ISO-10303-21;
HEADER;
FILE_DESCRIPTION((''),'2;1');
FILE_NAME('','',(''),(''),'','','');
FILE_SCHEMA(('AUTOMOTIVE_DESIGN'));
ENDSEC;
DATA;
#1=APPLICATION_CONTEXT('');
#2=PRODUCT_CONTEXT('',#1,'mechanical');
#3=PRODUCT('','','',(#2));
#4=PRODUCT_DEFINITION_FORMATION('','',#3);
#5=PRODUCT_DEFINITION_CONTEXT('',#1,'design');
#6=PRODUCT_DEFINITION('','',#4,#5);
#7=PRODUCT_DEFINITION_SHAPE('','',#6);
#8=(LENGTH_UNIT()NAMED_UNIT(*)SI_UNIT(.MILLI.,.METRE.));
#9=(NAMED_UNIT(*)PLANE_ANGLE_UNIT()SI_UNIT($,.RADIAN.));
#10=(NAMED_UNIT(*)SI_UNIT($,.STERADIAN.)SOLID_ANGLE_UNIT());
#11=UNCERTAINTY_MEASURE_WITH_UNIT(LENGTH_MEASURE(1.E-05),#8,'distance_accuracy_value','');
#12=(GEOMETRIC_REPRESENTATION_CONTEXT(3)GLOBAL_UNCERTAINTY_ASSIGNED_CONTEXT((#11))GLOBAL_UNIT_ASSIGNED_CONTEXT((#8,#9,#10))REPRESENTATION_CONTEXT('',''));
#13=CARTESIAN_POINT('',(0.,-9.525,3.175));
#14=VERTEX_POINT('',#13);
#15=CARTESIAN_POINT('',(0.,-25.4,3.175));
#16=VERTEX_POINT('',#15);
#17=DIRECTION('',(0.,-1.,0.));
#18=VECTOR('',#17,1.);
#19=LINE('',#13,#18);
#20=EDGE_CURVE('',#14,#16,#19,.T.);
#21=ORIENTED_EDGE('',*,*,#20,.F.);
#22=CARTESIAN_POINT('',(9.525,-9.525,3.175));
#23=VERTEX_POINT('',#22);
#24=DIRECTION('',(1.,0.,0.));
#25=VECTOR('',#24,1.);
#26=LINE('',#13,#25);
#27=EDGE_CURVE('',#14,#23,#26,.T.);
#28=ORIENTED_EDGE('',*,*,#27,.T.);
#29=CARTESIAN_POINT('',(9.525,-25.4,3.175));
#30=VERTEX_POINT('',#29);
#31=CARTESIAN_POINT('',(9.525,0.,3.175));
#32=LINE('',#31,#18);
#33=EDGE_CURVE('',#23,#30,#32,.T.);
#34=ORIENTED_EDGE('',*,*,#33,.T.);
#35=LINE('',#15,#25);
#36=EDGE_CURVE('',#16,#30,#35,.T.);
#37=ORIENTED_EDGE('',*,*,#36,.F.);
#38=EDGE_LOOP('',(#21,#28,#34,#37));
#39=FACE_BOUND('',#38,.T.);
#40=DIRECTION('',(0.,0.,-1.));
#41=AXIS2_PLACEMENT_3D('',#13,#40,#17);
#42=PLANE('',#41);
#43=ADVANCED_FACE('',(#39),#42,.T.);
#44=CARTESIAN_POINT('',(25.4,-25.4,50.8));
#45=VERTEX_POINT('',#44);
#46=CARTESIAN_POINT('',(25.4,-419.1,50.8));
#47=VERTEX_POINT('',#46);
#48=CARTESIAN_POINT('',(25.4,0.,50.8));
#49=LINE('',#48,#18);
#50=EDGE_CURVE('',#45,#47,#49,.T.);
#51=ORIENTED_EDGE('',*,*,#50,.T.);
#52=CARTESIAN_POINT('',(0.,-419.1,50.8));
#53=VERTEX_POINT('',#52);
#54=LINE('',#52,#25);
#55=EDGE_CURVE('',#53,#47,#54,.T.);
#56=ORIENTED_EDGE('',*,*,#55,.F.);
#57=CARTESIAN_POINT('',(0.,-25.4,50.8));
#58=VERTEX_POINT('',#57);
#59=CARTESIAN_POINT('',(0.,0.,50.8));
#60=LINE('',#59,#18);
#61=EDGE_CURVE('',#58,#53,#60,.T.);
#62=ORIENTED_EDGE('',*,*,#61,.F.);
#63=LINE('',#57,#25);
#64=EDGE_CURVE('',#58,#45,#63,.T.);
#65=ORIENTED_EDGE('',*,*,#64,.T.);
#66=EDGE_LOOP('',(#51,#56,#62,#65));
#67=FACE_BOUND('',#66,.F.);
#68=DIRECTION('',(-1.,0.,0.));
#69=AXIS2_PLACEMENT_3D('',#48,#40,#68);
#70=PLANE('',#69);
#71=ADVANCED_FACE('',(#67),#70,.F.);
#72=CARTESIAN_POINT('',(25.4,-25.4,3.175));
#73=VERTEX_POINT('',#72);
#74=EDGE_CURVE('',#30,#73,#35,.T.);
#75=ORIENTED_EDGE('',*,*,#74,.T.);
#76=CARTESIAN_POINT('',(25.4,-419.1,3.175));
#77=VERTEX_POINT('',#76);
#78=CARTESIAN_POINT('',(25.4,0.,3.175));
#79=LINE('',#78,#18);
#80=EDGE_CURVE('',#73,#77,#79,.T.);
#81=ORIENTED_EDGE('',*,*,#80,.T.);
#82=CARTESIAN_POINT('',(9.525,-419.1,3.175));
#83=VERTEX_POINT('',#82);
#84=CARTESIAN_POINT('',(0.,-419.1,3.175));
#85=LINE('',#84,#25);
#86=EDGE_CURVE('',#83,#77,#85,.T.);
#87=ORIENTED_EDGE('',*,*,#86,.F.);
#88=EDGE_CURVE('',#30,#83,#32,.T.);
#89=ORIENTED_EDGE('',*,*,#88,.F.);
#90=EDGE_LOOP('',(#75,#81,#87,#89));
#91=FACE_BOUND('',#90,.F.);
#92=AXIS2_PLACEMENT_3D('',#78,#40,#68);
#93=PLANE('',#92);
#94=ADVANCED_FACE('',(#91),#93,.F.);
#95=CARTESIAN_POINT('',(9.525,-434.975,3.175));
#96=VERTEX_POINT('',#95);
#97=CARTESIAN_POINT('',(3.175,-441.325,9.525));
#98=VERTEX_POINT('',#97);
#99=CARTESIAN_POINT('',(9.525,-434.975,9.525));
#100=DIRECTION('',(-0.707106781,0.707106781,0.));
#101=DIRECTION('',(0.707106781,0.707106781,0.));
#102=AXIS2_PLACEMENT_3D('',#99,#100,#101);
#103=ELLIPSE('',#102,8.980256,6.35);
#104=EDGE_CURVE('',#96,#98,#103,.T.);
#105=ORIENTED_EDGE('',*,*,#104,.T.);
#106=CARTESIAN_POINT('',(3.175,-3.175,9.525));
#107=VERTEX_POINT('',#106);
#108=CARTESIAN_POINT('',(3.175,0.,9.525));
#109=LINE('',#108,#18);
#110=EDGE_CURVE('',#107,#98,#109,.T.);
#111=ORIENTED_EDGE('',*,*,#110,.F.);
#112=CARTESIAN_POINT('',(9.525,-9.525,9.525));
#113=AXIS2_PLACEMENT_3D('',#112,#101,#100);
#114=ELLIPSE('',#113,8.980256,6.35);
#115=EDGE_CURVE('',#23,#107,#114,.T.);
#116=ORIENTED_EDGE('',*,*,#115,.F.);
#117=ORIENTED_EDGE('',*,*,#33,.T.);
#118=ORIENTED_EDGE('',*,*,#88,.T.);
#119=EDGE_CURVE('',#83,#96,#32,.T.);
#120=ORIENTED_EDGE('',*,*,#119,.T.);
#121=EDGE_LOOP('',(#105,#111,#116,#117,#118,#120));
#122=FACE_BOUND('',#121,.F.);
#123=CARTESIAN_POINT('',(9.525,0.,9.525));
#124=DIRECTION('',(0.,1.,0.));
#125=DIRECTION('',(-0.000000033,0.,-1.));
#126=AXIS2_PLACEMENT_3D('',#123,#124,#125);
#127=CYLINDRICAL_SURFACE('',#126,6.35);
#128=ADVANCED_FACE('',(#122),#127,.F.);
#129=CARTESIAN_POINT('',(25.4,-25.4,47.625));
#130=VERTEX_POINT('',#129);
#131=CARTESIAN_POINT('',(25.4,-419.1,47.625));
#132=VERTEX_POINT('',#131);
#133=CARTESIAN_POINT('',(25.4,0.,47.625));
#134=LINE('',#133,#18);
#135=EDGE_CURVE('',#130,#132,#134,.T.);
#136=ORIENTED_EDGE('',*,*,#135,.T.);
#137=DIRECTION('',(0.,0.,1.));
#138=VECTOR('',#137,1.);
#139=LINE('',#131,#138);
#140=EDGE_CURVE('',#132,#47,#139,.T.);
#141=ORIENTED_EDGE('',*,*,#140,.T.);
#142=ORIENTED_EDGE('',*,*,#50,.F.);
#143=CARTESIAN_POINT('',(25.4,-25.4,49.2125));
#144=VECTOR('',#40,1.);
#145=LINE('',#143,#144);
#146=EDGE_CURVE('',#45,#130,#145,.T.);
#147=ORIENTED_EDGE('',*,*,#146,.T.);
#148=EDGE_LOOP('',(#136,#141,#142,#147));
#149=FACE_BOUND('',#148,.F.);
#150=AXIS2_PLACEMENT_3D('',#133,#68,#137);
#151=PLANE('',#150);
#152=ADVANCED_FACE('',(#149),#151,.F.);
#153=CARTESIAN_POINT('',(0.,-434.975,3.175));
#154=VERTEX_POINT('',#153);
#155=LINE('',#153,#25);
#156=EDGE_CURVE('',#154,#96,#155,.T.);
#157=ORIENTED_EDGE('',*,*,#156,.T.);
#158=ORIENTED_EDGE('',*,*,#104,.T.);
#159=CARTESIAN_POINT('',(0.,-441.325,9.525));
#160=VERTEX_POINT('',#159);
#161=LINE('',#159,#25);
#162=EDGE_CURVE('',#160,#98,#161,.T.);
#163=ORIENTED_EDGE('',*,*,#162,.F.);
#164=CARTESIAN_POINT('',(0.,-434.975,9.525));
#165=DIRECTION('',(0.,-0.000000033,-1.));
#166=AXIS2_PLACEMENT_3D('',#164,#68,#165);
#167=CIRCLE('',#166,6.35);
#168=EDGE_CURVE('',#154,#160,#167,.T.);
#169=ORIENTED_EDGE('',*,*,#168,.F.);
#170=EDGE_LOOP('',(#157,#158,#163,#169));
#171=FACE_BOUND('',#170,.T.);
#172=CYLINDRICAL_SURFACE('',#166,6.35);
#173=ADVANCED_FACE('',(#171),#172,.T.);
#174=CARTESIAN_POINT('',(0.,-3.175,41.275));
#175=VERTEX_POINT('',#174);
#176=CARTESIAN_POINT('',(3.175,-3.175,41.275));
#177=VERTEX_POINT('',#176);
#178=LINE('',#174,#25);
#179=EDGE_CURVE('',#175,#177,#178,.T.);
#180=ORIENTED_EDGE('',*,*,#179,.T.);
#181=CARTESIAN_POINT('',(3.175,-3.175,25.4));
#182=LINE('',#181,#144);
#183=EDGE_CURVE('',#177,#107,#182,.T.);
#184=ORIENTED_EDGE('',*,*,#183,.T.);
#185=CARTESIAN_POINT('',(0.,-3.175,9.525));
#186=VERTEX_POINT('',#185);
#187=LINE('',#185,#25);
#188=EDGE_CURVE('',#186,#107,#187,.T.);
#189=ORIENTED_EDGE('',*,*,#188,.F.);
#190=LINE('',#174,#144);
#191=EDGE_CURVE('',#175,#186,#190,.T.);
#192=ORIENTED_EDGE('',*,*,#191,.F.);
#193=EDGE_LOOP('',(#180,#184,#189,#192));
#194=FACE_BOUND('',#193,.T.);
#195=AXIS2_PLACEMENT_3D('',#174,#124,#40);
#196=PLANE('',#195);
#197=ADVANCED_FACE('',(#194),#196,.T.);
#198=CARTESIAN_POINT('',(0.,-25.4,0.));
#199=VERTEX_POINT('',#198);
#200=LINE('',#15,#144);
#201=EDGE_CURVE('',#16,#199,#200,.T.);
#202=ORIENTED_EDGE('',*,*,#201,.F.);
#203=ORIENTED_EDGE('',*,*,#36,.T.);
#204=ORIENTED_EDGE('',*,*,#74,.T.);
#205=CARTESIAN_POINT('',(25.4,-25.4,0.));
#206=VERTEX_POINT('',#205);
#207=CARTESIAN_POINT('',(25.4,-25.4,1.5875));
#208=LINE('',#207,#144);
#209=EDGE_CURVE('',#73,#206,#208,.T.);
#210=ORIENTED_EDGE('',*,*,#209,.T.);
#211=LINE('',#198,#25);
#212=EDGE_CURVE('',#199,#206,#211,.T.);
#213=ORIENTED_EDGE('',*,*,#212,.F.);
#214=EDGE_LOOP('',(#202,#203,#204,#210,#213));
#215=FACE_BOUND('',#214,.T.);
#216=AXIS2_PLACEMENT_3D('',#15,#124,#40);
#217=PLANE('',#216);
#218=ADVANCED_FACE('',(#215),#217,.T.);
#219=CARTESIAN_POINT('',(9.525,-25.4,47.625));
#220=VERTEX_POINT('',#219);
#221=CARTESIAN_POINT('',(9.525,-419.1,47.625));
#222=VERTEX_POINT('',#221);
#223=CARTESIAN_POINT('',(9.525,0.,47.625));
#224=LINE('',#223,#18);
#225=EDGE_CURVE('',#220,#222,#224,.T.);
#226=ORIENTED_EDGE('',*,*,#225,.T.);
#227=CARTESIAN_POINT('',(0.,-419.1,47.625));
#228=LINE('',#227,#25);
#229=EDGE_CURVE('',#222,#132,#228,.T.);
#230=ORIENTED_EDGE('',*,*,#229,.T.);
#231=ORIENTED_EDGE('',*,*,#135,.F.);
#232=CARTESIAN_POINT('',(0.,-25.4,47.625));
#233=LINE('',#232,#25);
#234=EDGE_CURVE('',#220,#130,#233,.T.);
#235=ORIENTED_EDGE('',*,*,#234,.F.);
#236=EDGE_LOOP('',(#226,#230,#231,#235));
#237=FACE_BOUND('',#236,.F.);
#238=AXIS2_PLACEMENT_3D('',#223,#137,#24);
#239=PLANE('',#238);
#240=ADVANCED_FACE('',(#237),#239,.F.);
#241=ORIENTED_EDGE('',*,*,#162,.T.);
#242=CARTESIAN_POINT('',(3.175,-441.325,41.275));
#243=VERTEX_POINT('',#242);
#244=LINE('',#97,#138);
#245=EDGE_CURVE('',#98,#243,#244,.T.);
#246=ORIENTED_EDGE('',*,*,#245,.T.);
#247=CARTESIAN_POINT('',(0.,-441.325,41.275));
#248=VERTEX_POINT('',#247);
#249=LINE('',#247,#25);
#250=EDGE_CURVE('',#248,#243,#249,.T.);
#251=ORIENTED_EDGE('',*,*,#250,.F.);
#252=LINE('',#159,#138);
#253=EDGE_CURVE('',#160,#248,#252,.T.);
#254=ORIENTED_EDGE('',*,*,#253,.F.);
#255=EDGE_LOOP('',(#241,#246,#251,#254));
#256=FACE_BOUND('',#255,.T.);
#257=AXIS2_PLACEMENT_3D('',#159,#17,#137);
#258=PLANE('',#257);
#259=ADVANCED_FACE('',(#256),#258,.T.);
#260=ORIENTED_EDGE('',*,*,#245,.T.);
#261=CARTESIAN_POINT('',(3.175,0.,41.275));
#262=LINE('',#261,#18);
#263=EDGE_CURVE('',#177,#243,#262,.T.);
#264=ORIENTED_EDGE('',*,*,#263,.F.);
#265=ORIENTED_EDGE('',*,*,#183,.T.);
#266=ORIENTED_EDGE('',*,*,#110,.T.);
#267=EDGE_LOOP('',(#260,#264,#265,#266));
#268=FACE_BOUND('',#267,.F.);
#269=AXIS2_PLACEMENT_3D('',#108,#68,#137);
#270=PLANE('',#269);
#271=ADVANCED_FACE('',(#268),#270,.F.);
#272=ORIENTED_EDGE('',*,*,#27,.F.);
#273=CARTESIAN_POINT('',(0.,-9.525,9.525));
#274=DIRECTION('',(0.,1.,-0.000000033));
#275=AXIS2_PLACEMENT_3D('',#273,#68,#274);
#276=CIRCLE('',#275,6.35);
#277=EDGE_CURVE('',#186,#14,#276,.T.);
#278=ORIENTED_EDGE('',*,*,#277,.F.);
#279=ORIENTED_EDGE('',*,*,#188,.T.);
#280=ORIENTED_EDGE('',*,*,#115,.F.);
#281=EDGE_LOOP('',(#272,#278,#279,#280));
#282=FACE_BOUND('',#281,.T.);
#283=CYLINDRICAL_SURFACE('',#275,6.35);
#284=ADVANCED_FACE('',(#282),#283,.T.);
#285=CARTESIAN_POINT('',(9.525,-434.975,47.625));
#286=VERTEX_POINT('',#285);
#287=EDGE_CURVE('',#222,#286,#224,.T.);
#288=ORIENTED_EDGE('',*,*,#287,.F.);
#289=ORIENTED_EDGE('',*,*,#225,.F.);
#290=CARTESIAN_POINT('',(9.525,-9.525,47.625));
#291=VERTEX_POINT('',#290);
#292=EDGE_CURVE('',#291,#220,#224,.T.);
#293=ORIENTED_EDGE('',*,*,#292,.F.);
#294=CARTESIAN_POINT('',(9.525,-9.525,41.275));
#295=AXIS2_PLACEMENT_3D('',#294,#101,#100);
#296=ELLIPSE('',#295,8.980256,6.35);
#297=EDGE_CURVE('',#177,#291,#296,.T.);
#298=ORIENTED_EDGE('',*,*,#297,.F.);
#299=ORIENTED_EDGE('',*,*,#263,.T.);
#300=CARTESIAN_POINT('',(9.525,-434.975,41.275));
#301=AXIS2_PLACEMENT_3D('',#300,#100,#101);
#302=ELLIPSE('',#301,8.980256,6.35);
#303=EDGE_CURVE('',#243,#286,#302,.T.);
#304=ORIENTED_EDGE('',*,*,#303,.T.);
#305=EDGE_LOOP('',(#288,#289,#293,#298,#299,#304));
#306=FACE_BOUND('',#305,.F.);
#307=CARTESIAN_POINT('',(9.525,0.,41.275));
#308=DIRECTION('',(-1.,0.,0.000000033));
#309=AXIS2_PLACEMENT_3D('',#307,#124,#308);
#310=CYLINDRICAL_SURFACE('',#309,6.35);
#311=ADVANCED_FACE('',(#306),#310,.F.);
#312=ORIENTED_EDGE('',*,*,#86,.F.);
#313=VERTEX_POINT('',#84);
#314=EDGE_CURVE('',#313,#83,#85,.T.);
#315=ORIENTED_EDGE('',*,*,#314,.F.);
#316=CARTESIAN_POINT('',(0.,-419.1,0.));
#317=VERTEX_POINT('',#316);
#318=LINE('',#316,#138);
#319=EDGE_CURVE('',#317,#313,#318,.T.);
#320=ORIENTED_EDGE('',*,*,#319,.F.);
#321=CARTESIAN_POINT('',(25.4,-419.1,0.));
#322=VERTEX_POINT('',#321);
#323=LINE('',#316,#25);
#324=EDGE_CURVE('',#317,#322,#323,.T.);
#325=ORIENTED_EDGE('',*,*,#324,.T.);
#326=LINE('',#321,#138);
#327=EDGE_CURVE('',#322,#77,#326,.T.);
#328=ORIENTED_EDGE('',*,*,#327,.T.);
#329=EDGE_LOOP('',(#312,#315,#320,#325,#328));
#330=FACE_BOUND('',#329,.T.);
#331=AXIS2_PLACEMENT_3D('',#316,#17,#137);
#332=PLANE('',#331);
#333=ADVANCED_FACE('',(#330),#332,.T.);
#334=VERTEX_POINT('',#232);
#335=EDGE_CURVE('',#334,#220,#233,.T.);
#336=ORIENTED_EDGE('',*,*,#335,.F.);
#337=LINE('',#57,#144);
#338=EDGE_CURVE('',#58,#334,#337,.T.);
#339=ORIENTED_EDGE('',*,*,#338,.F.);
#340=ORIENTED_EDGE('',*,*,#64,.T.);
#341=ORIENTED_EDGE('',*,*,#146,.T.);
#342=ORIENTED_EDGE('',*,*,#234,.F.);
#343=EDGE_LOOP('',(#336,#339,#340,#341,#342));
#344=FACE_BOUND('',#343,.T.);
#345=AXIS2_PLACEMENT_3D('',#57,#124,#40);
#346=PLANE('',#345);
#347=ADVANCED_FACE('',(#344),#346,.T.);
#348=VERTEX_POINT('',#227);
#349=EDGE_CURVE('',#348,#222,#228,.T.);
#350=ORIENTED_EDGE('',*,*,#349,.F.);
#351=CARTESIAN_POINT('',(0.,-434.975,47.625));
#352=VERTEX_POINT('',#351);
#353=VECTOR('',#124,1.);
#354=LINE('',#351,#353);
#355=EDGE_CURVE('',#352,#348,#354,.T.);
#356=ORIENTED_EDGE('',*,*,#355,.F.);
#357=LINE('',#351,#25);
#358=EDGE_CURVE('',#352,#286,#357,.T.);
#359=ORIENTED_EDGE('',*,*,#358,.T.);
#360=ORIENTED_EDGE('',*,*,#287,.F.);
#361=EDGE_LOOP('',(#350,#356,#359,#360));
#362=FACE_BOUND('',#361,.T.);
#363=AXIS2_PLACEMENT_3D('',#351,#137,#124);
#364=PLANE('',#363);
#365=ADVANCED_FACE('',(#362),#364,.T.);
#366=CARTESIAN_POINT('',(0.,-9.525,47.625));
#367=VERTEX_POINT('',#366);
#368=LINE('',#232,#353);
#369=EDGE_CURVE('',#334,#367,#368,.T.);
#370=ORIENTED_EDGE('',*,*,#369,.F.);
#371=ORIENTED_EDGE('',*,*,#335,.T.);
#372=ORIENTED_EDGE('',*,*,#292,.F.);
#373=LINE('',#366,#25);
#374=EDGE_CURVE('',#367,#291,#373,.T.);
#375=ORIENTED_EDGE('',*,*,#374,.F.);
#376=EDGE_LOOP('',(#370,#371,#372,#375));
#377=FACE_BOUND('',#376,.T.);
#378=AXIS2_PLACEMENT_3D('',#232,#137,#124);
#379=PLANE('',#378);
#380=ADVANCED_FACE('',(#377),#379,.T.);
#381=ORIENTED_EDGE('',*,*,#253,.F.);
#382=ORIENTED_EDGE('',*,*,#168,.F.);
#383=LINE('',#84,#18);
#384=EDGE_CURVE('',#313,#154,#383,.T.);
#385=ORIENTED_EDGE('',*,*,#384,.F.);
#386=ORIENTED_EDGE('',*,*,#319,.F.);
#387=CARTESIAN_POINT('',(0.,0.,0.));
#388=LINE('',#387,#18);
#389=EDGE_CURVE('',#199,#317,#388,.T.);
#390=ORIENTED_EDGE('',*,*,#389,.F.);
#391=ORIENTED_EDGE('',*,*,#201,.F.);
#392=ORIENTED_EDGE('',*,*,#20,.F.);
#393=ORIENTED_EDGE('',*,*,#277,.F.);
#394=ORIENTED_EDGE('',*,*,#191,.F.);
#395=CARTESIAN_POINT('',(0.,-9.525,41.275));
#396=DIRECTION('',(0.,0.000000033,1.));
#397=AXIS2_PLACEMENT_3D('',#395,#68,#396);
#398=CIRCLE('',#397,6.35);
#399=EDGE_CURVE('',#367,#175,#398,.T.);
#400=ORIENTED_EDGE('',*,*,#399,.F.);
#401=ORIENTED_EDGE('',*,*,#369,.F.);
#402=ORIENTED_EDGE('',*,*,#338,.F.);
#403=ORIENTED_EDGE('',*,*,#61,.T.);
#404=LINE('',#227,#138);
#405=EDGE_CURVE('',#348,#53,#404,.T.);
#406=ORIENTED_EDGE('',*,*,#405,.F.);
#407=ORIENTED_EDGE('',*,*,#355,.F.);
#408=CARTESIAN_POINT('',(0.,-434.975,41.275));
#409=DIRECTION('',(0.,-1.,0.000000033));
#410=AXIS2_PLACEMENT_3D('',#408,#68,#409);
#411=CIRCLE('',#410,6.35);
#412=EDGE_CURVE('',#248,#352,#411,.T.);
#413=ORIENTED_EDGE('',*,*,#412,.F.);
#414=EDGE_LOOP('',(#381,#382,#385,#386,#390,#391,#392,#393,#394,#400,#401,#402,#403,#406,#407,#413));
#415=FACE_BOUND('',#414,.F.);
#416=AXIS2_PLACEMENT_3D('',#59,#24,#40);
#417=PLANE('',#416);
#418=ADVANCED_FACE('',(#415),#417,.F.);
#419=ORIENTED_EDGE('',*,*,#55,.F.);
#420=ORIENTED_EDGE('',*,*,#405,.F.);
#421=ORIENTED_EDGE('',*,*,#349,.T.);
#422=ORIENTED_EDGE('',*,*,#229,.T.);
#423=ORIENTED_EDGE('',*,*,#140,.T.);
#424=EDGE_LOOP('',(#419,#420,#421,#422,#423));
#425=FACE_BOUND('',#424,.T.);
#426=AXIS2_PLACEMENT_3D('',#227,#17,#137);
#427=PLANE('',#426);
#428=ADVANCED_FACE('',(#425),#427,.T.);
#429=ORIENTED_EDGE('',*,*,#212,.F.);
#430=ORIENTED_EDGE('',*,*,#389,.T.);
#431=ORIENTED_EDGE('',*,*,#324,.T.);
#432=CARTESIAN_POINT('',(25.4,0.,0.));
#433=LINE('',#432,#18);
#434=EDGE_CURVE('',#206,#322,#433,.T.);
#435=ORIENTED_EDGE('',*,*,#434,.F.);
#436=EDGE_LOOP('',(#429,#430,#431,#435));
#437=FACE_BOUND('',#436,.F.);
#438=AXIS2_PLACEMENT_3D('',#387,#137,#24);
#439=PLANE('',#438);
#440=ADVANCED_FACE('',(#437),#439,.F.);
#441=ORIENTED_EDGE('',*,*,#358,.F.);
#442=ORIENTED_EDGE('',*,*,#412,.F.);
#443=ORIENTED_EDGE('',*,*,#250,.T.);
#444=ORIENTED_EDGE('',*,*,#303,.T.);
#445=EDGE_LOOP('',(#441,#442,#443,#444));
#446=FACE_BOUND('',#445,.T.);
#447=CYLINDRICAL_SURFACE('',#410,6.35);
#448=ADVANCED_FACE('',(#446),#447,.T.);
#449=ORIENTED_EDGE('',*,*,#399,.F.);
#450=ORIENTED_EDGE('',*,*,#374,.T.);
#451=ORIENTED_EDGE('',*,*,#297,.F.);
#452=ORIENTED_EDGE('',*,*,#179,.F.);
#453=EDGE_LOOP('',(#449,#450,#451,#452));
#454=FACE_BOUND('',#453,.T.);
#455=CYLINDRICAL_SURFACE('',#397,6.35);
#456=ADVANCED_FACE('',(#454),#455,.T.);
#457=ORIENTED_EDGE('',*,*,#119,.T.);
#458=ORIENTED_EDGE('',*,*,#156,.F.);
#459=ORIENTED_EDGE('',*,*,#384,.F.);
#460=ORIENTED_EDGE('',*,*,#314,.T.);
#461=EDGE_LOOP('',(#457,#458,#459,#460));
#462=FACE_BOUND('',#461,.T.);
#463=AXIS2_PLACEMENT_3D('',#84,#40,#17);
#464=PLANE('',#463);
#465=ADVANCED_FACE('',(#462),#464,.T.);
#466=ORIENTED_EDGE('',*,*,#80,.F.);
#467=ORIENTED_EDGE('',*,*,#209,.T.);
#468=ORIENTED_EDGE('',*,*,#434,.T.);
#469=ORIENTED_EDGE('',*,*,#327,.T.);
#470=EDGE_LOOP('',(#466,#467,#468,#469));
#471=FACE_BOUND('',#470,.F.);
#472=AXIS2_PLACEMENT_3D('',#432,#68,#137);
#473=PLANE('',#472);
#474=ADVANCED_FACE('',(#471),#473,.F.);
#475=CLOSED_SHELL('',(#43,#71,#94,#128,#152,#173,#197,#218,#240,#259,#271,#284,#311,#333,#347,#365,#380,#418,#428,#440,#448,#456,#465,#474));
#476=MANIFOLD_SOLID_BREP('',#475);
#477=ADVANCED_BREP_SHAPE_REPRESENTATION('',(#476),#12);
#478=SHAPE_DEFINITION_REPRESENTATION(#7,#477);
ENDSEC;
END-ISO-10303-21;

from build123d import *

# Parameters (mm, degrees)
F1_DEPTH = 444.5
F3_DEPTH = 25.401


with BuildPart() as f1:
    # F0 (on Front) → F1 (new body)
    with BuildSketch(Plane.XZ):
        with BuildLine():
            Line((0, 50.8), (0, 0))
            Line((0, 0), (25.4, 0))
            Line((25.4, 0), (25.4, 3.175))
            Line((25.4, 3.175), (9.525, 3.175))
            ThreePointArc((9.525, 3.175), (5.034872, 5.034872), (3.175, 9.525))
            Line((3.175, 9.525), (3.175, 41.275))
            ThreePointArc((3.175, 41.275), (5.034872, 45.765128), (9.525, 47.625))
            Line((9.525, 47.625), (25.4, 47.625))
            Line((25.4, 47.625), (25.4, 50.8))
            Line((25.4, 50.8), (0, 50.8))
        make_face()
    extrude(amount=F1_DEPTH)

    # F2 (on Right) → F3 (cut, through all)
    with BuildSketch(Plane.YZ):
        with BuildLine():
            Line((-25.4, 0), (0, 0))
            Line((0, 0), (0, 50.8))
            Line((0, 50.8), (-25.4, 50.8))
            Line((-25.4, 50.8), (-25.4, 47.625))
            Line((-25.4, 47.625), (-9.525, 47.625))
            ThreePointArc((-9.525, 47.625), (-5.034872, 45.765128), (-3.175, 41.275))
            Line((-3.175, 41.275), (-3.175, 9.525))
            ThreePointArc((-3.175, 9.525), (-5.034872, 5.034872), (-9.525, 3.175))
            Line((-9.525, 3.175), (-25.4, 3.175))
            Line((-25.4, 3.175), (-25.4, 0))
        make_face()
        with BuildLine():
            Line((-444.5, 50.8), (-444.5, 0))
            Line((-444.5, 0), (-419.1, 0))
            Line((-419.1, 0), (-419.1, 3.175))
            Line((-419.1, 3.175), (-434.975, 3.175))
            ThreePointArc((-434.975, 3.175), (-439.465128, 5.034872), (-441.325, 9.525))
            Line((-441.325, 9.525), (-441.325, 41.275))
            ThreePointArc((-441.325, 41.275), (-439.465128, 45.765128), (-434.975, 47.625))
            Line((-434.975, 47.625), (-419.1, 47.625))
            Line((-419.1, 47.625), (-419.1, 50.8))
            Line((-419.1, 50.8), (-444.5, 50.8))
        make_face()
    extrude(amount=F3_DEPTH, mode=Mode.SUBTRACT)


solid = f1.part
